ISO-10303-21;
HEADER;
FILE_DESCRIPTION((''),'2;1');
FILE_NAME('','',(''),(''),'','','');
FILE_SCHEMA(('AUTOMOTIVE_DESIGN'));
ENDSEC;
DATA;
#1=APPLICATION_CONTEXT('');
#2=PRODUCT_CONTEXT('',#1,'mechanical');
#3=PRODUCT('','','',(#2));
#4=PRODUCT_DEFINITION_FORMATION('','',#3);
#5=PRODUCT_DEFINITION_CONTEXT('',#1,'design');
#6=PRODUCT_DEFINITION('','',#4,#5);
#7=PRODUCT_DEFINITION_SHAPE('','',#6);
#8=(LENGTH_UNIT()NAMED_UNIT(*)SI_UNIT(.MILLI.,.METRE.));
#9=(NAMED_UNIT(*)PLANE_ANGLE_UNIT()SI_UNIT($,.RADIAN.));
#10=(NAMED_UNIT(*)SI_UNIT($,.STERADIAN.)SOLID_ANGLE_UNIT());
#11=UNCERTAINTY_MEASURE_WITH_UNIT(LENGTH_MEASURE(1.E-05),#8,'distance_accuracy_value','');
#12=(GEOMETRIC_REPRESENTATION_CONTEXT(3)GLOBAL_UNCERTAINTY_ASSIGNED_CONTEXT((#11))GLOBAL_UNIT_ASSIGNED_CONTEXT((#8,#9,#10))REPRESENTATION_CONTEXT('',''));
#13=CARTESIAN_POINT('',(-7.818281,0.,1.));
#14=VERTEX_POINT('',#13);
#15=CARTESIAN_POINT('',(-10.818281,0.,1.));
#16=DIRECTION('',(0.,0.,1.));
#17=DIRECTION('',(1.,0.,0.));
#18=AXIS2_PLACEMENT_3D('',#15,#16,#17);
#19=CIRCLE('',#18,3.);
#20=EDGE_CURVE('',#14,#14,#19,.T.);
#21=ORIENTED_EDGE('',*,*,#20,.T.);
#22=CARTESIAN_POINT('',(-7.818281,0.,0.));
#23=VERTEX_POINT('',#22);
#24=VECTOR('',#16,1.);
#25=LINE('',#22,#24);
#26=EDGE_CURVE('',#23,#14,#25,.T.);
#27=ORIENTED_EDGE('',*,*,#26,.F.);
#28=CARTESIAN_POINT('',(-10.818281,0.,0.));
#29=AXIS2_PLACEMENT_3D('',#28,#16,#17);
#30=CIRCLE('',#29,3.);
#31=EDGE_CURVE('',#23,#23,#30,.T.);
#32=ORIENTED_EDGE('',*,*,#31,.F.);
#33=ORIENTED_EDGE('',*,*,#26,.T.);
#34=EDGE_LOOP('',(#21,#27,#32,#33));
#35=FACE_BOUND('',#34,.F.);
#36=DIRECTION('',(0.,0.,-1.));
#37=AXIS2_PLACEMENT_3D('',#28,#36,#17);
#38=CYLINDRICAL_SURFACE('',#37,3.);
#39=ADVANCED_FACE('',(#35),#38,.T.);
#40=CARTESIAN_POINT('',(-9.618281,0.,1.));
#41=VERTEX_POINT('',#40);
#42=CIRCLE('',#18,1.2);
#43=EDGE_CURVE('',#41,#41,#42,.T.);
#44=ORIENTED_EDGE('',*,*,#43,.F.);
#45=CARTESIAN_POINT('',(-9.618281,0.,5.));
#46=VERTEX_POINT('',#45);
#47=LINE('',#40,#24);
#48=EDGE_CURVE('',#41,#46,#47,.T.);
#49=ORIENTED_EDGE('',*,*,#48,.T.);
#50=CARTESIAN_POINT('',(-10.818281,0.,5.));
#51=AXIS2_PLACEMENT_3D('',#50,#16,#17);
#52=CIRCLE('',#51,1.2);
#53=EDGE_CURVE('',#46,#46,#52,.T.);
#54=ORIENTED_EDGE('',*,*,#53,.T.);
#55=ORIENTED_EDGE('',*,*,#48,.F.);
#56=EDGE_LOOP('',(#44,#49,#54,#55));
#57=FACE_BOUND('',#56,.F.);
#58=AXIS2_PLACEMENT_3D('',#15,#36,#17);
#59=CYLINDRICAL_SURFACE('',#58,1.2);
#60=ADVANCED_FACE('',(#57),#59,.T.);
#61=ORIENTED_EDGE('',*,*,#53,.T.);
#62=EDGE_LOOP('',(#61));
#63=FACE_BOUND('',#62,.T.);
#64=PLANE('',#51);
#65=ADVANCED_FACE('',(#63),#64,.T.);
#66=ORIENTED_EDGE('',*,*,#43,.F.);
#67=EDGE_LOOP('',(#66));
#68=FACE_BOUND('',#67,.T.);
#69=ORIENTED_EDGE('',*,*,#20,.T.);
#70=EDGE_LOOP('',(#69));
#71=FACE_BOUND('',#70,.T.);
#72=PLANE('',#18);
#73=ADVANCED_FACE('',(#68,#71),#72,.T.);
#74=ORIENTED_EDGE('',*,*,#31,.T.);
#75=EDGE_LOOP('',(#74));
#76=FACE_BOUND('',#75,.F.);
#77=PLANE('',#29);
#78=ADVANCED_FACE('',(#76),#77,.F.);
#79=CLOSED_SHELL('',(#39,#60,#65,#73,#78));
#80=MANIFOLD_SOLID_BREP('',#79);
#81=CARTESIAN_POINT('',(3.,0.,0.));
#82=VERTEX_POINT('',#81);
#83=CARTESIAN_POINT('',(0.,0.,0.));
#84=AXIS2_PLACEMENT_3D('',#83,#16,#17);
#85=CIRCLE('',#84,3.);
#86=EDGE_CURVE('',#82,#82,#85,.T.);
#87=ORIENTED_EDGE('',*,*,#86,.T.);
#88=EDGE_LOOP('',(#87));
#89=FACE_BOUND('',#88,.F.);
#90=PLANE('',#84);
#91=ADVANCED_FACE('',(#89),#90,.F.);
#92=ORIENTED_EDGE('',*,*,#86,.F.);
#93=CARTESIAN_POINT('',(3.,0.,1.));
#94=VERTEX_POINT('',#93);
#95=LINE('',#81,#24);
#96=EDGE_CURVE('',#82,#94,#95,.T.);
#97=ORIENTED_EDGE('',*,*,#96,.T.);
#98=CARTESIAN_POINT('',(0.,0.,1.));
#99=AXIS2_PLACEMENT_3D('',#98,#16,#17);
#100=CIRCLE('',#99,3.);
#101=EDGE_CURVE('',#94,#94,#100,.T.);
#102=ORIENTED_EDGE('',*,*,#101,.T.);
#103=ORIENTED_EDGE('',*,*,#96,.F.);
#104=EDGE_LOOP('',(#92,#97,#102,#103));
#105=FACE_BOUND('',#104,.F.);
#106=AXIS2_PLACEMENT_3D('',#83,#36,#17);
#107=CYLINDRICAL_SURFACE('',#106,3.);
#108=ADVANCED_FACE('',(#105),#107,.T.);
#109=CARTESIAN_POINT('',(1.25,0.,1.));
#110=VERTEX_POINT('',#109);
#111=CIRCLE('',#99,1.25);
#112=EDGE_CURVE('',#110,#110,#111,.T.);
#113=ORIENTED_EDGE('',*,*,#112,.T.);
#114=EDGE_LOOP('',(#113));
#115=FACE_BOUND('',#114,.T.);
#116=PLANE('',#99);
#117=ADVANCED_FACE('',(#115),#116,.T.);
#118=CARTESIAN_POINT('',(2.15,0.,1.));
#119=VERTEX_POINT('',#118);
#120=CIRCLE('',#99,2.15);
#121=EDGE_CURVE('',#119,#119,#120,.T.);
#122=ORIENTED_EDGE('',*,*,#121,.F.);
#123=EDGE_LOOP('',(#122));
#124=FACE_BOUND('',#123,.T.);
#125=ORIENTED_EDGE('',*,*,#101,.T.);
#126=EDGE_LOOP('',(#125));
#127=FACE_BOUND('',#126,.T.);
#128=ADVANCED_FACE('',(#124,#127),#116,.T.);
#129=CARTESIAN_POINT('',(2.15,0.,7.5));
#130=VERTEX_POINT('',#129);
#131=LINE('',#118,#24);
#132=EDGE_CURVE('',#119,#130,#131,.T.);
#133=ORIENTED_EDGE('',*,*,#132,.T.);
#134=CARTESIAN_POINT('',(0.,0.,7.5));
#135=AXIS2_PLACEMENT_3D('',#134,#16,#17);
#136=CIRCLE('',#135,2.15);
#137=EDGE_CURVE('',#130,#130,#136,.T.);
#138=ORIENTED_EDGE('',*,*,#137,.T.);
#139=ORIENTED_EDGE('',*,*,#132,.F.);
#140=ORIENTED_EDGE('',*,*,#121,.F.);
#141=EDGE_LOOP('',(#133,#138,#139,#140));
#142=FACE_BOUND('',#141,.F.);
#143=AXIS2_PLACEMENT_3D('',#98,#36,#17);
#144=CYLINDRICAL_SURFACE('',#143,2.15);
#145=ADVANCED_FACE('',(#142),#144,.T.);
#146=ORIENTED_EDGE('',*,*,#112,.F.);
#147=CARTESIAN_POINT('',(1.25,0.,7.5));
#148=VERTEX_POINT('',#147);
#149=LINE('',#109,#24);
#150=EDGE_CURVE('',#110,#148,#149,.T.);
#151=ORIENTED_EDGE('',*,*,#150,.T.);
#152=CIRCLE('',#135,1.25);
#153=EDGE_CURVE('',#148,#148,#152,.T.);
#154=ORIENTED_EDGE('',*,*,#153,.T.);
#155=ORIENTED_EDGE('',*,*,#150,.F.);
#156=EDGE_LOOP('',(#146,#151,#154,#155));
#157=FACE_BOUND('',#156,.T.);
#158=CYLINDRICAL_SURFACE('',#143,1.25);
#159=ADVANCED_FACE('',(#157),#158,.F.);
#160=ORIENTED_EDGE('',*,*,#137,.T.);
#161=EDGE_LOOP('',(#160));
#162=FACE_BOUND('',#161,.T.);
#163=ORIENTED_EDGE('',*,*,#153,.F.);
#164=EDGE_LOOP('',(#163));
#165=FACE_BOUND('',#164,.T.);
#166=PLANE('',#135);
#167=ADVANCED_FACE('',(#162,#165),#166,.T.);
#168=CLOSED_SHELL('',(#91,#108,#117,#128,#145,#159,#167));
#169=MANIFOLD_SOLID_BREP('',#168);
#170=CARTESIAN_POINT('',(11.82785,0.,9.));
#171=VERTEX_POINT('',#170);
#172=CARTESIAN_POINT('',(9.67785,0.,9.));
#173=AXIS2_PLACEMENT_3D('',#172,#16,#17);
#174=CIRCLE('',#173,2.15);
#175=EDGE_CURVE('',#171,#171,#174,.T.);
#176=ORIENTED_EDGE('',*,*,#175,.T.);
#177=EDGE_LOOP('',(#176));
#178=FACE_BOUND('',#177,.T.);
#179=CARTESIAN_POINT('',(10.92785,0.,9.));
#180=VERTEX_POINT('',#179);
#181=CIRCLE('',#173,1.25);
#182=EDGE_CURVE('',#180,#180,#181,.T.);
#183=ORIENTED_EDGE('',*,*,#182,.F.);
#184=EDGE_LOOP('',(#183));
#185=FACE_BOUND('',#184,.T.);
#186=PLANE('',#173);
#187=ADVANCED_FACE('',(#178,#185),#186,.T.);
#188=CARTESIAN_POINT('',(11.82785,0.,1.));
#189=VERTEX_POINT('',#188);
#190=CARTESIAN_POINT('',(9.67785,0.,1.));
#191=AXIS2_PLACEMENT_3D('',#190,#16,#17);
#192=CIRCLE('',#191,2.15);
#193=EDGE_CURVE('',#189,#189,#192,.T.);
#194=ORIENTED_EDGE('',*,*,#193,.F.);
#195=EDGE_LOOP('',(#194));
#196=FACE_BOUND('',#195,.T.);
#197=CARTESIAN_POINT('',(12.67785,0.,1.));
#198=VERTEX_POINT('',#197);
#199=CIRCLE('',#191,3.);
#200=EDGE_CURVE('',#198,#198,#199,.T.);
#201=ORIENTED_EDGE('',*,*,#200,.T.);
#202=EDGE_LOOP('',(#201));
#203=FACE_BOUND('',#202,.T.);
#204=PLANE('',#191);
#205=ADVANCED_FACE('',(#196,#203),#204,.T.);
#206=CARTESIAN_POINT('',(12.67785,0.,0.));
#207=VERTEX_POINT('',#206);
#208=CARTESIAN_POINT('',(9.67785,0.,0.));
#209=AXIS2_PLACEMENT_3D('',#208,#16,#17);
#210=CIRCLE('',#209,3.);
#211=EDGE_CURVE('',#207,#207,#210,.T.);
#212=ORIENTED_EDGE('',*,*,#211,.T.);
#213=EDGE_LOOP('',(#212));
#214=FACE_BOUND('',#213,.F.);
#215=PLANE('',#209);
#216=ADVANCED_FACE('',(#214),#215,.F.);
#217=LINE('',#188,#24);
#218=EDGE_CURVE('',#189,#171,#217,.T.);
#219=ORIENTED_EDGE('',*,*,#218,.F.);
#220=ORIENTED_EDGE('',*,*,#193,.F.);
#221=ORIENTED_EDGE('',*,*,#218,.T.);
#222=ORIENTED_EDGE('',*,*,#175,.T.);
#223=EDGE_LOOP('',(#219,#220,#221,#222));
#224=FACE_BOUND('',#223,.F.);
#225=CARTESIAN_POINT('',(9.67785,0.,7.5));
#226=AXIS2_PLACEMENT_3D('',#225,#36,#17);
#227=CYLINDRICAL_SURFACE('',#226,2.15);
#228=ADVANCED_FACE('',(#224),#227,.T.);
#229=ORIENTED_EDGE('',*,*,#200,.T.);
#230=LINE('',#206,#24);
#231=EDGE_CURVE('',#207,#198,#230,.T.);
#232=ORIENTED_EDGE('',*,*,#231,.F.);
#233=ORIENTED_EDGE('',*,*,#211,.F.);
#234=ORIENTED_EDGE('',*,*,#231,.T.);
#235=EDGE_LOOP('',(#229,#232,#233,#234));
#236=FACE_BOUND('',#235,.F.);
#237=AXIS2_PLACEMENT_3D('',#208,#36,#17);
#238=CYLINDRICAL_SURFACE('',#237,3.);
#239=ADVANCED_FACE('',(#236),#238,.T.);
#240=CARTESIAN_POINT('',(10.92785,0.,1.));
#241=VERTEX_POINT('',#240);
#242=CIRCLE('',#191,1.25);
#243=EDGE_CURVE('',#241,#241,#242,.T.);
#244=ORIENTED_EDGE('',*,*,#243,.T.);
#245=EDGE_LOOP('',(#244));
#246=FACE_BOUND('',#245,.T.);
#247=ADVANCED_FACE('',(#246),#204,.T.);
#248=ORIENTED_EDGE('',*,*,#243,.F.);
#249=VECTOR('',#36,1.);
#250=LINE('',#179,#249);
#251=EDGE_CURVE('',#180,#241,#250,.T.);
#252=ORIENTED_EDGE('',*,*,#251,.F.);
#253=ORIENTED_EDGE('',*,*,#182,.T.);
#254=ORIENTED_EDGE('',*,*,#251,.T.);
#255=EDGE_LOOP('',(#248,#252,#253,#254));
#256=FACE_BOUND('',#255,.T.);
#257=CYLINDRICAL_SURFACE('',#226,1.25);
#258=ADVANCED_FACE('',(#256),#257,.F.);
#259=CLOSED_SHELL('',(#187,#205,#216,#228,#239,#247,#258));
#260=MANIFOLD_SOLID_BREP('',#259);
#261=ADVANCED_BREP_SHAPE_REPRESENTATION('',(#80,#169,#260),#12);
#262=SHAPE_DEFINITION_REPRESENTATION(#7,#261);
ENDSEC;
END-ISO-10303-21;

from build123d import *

# Parameters (mm, degrees)
F0_R     = 3
F1_DEPTH = 1
F2_R     = 2.15
F2_R_2   = 1.25
F3_DEPTH = 6.5
F4_R     = 3
F5_DEPTH = 1
F6_R     = 1.2
F7_DEPTH = 4
F9_DEPTH = 1.5


with BuildPart() as f1:
    # F0 (on Top) → F1 (new body)
    with BuildSketch(Plane.XY):
        Circle(F0_R)
    extrude(amount=F1_DEPTH)

    # F2 (on face) → F3 (join)
    with BuildSketch(Plane.XY.offset(1)):
        Circle(F2_R)
        Circle(F2_R_2, mode=Mode.SUBTRACT)
    extrude(amount=F3_DEPTH)


with BuildPart() as f5:
    # F4 (on Top) → F5 (new body)
    with BuildSketch(Plane.XY):
        with Locations((-10.818281211, 0)):
            Circle(F4_R)
    extrude(amount=F5_DEPTH)

    # F6 (on face) → F7 (join)
    with BuildSketch(Plane.XY.offset(1)):
        with Locations((-10.818281211, 0)):
            Circle(F6_R)
    extrude(amount=F7_DEPTH)


with BuildPart() as f8_1:
    # F8: copy of F1
    add(f1.part.moved(Location((9.67785, 0, 0))))

    # F9 (add): a face of the model
    f9_faces = [f8_1.faces().sort_by_distance(p)[0] for p in [
        (7.5886611832, 0, 7.5),
    ]]
    extrude(f9_faces, amount=F9_DEPTH)


solid = Compound([f1.part, f5.part, f8_1.part])
